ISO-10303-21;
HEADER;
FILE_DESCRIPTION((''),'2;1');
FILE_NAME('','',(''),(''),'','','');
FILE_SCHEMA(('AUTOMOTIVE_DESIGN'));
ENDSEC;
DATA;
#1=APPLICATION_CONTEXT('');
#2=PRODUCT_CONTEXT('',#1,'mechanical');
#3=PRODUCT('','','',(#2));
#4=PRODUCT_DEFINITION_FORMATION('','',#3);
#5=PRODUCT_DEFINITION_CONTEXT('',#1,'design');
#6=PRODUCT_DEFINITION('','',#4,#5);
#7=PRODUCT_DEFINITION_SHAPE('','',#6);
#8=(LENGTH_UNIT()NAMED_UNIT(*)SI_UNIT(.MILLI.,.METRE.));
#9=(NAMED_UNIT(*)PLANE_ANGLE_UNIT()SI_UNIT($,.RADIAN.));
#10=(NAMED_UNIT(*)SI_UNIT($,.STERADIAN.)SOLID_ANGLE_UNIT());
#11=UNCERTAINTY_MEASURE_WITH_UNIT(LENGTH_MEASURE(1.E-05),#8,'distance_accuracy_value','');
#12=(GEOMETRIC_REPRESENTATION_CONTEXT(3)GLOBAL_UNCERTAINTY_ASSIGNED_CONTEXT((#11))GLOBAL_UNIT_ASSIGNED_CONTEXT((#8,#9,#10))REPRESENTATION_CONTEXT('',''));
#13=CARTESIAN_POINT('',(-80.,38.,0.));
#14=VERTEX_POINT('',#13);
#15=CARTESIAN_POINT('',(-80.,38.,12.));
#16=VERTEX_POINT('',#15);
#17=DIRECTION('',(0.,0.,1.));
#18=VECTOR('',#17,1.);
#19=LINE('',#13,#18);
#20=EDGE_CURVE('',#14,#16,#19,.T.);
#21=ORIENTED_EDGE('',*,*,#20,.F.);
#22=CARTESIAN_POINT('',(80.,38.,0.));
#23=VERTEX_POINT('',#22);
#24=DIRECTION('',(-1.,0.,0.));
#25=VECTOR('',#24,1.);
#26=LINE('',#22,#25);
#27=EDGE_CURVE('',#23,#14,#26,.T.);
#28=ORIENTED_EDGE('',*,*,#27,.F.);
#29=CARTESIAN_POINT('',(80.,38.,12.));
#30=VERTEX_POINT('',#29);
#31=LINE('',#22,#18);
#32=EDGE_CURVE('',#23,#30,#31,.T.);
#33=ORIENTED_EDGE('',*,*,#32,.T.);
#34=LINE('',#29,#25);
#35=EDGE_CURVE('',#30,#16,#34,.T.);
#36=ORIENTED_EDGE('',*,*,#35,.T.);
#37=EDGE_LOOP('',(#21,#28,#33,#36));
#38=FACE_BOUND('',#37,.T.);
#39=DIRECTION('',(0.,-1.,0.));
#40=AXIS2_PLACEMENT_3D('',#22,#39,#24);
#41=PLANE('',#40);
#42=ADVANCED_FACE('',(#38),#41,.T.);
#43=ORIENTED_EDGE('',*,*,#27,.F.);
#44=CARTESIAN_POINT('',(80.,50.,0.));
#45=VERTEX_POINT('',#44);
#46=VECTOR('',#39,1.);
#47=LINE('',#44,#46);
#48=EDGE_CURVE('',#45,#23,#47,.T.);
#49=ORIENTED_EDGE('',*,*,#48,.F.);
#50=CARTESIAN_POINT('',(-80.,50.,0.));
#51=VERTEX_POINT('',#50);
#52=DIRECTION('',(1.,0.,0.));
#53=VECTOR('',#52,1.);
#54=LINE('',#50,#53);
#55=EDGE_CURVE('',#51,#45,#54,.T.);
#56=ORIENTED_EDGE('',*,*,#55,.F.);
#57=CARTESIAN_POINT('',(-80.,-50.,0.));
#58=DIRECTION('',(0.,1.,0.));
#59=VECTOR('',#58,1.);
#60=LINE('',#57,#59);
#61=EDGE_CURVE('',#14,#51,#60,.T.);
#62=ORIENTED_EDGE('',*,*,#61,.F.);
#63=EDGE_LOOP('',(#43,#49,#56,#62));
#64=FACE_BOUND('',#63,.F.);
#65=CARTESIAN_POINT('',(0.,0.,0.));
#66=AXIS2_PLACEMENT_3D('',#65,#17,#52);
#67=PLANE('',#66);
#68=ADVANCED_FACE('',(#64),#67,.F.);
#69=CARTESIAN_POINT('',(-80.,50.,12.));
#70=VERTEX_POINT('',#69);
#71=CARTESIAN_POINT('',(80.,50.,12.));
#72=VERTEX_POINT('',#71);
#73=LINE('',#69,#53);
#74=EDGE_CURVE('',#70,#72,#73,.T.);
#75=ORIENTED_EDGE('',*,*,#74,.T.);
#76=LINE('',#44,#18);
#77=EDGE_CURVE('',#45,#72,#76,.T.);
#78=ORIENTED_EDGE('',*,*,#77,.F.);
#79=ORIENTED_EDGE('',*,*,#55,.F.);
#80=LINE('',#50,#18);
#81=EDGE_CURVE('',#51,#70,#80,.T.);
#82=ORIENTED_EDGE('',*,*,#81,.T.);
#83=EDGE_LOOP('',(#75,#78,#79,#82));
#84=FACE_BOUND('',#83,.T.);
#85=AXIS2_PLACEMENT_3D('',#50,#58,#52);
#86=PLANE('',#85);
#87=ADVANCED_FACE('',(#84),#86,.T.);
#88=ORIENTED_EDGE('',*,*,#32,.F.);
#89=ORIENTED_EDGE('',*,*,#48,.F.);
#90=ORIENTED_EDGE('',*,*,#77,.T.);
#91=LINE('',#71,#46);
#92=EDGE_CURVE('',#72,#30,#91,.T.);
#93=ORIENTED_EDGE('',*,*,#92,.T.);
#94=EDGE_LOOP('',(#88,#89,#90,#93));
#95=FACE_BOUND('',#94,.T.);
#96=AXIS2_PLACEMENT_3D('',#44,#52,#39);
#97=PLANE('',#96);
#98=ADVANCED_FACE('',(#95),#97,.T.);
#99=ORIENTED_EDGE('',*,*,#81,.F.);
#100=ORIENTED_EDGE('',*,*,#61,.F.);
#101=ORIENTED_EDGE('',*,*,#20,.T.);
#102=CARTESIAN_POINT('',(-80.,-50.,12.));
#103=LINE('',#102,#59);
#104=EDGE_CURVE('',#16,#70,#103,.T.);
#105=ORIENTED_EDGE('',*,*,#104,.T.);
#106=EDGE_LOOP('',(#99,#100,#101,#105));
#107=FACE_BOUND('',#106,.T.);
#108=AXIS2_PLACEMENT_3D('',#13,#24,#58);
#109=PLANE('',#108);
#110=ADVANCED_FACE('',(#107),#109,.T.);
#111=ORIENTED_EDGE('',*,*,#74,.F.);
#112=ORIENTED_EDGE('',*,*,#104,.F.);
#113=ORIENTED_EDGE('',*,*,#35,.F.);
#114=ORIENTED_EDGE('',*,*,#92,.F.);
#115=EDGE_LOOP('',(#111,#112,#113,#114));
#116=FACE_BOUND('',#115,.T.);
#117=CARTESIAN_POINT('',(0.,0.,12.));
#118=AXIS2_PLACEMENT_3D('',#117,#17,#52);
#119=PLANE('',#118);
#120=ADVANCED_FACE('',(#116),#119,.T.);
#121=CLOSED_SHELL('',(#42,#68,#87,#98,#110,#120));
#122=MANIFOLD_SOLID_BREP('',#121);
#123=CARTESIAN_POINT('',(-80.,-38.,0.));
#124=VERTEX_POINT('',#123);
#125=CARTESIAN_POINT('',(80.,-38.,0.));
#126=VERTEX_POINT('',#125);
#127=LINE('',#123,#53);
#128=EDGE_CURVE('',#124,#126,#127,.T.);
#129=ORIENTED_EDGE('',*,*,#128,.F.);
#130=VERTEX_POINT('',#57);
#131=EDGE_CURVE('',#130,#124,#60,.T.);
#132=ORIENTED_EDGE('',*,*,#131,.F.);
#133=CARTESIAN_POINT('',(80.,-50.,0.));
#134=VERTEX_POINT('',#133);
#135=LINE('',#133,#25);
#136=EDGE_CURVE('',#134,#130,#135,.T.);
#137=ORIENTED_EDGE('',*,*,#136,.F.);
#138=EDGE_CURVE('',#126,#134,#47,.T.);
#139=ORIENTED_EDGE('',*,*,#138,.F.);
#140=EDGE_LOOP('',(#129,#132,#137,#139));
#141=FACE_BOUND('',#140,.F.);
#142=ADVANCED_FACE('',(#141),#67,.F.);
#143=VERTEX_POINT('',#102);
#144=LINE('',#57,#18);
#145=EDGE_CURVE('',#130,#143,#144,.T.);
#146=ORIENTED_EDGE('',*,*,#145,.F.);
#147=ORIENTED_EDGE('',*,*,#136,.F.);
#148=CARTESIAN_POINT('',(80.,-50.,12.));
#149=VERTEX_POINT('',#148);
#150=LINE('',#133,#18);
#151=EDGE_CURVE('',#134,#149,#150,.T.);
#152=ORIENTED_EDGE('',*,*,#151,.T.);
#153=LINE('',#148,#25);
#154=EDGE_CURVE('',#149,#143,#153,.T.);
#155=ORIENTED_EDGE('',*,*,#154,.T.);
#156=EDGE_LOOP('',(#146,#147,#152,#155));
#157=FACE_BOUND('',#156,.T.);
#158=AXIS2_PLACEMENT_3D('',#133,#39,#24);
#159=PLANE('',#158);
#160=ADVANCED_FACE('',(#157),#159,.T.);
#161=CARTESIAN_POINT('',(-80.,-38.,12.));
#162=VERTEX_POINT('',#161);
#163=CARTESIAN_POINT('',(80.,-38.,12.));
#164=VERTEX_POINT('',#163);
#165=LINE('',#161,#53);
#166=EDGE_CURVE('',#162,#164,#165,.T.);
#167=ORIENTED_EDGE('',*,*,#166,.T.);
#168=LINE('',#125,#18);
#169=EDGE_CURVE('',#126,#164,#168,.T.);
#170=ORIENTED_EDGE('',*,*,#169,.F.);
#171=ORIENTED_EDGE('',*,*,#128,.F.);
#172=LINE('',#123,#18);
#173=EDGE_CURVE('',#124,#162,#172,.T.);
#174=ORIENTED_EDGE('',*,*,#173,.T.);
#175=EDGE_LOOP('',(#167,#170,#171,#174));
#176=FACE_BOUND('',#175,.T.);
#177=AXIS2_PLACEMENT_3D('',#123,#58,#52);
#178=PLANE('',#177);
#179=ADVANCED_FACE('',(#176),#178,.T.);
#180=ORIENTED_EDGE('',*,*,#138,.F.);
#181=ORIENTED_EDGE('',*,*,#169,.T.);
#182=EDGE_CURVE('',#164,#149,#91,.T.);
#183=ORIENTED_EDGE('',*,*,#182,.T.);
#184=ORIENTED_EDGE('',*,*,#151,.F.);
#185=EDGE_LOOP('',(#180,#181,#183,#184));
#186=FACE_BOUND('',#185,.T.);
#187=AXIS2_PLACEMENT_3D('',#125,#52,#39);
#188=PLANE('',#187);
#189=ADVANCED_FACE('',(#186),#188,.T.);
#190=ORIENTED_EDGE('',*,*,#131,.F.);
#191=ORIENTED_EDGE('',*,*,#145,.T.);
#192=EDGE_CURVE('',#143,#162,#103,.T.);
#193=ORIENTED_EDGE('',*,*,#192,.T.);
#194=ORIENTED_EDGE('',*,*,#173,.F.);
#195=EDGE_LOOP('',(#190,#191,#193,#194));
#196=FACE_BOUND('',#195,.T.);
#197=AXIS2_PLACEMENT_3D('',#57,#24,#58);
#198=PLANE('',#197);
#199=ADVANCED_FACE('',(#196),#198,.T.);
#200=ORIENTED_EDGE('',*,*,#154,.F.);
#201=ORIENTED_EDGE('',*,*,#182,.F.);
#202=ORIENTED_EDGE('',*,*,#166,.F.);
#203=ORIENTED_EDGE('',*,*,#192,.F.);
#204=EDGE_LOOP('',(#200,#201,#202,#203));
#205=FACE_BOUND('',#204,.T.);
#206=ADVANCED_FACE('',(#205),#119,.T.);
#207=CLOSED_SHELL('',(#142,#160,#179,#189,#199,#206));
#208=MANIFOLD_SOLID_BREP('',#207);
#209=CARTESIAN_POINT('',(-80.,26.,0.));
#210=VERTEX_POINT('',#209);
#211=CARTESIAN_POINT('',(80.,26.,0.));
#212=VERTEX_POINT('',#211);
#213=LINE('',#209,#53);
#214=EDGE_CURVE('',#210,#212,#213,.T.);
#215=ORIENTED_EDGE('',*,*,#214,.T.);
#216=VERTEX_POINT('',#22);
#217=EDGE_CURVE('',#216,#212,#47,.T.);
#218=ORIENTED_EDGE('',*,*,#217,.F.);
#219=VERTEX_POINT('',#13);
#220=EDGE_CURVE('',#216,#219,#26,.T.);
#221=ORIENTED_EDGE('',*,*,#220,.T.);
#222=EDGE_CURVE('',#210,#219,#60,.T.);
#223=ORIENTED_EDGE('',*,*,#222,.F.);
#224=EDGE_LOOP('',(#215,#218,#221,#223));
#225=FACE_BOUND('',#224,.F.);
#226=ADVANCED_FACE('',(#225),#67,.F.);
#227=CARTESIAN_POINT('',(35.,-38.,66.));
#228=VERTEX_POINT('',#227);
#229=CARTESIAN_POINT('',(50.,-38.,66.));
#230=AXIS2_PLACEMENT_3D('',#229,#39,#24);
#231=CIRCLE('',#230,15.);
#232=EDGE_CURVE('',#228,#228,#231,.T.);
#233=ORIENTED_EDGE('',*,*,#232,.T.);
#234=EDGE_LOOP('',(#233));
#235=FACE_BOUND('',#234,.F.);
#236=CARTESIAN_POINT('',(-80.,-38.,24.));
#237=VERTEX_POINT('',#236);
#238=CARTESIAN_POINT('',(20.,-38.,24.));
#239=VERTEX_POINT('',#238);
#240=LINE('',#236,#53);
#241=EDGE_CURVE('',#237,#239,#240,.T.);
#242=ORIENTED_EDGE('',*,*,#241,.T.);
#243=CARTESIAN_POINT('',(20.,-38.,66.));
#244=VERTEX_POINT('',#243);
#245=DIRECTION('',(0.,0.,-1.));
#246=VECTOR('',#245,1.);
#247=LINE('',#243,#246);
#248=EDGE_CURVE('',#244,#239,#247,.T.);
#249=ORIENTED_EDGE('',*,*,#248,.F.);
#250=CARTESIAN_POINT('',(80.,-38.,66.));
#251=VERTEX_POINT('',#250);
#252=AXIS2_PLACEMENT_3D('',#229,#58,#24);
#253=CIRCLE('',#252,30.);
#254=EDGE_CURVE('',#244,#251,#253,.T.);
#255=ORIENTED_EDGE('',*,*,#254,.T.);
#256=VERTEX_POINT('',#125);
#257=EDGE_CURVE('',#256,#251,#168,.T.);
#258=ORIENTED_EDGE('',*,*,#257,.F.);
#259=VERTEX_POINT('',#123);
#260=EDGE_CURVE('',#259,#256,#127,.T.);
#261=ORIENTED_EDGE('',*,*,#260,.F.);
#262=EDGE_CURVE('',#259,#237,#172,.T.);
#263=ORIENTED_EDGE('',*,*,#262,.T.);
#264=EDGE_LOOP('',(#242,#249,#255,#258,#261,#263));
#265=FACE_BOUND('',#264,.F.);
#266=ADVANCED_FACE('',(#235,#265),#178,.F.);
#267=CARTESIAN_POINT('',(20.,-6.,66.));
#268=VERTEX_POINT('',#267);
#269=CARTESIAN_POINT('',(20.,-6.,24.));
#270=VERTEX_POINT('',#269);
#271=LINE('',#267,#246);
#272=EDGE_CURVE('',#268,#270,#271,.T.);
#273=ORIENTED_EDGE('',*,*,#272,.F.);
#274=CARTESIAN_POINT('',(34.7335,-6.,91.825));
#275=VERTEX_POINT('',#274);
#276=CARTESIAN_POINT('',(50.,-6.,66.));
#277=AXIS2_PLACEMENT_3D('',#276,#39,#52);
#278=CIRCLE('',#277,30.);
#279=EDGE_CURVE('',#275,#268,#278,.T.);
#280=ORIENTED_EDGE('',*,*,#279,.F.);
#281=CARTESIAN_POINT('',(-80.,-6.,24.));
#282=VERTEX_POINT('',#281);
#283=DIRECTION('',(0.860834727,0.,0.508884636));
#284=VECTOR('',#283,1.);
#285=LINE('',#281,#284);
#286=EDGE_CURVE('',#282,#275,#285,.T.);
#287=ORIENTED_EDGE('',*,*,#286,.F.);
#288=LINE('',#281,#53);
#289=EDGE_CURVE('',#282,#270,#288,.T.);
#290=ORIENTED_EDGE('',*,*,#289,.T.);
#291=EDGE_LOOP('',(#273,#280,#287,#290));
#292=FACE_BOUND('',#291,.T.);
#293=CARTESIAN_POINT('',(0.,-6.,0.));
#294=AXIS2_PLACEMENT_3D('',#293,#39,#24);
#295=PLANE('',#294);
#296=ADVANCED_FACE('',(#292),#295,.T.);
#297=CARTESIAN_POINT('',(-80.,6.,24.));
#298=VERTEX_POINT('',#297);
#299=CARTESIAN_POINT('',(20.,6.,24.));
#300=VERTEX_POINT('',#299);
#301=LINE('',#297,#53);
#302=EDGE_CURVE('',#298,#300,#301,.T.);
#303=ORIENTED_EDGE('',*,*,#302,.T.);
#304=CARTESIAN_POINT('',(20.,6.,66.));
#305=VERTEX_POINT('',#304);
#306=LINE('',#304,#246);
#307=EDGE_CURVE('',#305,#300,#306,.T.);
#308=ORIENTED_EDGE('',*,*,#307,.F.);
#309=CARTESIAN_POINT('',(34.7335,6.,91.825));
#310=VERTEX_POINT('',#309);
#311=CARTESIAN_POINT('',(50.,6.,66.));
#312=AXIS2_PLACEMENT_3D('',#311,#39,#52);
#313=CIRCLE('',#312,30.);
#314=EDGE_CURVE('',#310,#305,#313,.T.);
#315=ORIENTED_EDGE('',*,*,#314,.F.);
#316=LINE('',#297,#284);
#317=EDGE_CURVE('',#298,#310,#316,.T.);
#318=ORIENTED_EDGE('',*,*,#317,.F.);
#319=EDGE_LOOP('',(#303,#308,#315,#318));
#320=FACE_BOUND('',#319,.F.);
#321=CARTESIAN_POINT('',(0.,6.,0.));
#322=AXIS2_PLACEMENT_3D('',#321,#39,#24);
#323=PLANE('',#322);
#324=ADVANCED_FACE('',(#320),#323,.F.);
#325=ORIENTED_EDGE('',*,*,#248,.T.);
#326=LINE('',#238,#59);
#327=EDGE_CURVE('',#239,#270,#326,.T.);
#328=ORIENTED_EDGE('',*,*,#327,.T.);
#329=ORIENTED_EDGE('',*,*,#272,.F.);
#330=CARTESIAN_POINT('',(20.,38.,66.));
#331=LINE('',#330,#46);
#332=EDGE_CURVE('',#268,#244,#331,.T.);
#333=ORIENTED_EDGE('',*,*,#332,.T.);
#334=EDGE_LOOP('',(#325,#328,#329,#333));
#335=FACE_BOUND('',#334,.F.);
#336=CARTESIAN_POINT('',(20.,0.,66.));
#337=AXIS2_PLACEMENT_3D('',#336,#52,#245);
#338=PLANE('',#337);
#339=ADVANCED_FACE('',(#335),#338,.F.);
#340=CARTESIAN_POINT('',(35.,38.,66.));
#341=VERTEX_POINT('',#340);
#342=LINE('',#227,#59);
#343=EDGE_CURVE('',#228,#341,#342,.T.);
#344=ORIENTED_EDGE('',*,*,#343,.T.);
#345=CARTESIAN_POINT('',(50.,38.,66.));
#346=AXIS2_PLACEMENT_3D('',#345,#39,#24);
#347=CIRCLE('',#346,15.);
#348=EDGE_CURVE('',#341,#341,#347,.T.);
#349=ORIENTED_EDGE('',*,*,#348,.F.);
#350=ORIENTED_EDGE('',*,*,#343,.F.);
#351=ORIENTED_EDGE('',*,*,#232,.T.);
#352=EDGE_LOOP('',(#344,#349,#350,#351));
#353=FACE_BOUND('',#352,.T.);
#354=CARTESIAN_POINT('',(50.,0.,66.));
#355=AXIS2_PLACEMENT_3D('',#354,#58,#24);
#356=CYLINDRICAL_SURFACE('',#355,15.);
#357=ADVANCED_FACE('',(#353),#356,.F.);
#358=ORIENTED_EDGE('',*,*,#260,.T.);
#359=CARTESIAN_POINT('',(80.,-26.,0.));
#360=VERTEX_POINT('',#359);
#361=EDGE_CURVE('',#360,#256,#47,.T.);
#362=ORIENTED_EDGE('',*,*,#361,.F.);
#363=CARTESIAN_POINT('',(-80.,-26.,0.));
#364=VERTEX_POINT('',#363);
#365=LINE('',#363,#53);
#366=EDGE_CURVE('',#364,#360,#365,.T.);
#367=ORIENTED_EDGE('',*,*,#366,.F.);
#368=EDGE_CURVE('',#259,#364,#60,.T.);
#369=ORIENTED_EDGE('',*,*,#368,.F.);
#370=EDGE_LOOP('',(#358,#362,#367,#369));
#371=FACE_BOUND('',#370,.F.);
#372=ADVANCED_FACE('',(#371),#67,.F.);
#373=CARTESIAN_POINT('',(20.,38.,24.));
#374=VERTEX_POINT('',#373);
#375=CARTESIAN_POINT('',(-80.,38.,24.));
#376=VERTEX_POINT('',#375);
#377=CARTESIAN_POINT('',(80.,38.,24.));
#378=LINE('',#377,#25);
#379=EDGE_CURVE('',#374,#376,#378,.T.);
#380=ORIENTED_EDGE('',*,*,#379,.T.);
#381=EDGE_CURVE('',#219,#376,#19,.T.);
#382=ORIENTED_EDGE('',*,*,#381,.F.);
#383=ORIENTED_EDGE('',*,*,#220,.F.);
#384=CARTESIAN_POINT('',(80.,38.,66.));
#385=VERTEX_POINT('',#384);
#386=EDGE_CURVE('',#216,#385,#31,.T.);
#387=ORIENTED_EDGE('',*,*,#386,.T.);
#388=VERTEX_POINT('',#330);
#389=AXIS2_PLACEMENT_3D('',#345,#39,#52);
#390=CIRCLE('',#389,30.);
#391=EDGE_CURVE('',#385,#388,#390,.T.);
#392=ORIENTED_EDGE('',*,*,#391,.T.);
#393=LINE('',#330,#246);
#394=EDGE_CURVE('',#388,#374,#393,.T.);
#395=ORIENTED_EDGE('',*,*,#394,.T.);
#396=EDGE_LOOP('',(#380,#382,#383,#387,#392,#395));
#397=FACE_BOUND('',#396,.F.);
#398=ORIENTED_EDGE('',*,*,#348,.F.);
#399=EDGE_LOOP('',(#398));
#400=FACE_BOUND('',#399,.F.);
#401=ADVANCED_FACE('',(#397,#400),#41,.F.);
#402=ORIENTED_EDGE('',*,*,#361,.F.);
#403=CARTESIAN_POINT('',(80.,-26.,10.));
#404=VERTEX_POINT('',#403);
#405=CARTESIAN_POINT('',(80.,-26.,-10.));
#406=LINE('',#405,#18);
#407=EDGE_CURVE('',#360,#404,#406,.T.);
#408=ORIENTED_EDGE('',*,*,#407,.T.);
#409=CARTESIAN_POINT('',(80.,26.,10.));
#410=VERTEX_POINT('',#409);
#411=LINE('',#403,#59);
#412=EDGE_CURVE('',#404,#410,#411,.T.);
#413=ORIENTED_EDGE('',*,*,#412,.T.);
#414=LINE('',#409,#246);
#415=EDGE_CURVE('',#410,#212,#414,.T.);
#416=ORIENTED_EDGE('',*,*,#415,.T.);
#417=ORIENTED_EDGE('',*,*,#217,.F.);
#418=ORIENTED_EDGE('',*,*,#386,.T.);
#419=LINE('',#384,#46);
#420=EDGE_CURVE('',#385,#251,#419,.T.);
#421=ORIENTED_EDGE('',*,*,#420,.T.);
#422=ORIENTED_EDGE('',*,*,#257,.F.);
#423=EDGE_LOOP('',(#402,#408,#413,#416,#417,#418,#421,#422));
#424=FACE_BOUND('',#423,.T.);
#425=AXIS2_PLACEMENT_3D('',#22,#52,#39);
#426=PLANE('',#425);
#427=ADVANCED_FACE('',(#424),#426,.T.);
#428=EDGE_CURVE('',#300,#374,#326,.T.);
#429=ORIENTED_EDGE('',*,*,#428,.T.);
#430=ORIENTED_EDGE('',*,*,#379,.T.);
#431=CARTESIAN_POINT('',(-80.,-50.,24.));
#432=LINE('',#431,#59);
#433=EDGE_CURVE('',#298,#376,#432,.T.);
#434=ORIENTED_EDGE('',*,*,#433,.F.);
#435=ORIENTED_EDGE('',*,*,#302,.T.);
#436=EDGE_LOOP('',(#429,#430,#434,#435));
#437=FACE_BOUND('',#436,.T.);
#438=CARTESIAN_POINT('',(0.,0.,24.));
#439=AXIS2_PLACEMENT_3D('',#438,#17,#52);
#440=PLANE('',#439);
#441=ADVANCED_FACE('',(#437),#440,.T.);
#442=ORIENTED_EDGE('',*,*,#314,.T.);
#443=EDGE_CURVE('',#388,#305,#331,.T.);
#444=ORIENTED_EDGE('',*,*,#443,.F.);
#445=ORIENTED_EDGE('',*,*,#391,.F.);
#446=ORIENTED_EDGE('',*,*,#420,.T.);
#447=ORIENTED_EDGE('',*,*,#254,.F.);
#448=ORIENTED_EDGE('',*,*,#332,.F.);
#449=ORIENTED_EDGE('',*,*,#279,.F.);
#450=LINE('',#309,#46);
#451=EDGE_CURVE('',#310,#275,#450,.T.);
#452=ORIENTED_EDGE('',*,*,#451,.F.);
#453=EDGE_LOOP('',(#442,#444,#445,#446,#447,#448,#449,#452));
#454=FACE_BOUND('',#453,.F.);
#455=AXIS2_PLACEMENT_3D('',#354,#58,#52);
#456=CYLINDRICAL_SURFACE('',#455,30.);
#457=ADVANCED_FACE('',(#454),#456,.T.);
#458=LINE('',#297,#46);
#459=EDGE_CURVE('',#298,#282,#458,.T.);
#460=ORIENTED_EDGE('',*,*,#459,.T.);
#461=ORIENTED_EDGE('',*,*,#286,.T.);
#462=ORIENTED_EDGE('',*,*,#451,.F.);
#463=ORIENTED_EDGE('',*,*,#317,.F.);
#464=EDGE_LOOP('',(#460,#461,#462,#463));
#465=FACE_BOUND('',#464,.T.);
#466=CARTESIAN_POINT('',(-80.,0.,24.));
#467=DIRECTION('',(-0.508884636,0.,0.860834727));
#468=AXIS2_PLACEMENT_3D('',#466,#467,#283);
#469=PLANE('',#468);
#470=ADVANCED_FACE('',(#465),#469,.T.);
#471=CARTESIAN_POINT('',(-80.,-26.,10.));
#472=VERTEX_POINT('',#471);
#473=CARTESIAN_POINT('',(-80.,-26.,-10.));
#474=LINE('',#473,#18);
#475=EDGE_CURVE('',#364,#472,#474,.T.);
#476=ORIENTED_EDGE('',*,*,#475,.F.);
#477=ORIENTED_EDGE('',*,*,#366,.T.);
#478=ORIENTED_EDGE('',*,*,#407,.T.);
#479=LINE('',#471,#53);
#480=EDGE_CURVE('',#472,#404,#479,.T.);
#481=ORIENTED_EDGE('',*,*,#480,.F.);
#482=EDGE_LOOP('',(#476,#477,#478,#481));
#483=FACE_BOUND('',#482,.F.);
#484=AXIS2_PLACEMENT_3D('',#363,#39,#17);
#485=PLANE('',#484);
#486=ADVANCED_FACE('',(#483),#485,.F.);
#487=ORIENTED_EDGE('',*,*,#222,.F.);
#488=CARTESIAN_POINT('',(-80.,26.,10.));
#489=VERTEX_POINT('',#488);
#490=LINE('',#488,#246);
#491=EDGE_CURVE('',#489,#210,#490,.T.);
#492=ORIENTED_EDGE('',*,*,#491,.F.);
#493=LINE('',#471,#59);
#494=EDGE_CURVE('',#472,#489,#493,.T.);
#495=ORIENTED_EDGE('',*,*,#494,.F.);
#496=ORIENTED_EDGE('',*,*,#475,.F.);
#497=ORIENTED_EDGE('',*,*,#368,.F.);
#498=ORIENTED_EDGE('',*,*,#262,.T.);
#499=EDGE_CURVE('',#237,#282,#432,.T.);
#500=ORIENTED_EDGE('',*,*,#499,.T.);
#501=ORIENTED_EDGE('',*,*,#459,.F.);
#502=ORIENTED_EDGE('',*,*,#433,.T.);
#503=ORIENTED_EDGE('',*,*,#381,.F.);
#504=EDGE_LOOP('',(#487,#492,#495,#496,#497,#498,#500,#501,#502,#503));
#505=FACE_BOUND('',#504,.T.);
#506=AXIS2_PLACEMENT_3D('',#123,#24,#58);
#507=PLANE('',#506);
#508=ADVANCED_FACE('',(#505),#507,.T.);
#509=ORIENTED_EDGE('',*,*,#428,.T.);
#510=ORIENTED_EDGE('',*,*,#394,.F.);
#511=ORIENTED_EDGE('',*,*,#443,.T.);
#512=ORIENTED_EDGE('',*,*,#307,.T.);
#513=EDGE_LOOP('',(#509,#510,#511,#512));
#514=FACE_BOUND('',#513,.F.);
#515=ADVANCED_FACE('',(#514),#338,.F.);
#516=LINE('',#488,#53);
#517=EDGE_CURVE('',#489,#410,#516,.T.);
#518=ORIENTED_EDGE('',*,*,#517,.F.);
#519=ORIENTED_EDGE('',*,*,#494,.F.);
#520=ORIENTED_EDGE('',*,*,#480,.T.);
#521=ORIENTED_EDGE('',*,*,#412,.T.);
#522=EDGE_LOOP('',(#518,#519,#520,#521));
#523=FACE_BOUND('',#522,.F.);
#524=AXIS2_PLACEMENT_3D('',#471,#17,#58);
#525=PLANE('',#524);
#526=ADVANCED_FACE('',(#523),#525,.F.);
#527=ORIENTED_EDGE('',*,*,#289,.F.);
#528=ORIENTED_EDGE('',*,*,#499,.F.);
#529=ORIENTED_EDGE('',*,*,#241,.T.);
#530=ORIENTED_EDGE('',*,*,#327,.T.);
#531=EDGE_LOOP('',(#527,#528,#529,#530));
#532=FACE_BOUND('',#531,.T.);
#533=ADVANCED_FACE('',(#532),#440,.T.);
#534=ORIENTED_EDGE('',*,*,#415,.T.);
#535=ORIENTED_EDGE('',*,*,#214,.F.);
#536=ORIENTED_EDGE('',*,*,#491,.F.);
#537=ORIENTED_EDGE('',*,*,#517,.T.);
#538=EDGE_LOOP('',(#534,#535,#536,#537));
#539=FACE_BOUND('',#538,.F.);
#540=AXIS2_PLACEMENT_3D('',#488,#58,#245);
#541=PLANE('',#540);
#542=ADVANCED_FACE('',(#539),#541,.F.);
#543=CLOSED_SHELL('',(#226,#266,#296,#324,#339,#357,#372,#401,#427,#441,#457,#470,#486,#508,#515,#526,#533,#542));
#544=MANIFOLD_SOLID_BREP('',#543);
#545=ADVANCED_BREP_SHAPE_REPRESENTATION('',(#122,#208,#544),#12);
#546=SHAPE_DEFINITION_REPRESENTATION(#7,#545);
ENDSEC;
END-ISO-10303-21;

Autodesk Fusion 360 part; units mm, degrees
sketch "Sketch1" plane through (0, 0, 0) normal (0, 0, 1) x (1, 0, 0)
  line L0 (80, -50) -> (-80, -50)
  line L1 (-80, -50) -> (-80, 50)
  line L2 (-80, 50) -> (80, 50)
  line L3 (80, 50) -> (80, -50)
  line L4 (80, -50) -> (-80, 50) construction
  line L5 (-80, -50) -> (80, 50) construction
  line L6 (80, 38) -> (-80, 38)
  line L7 (-80, 38) -> (-80, -38)
  line L8 (-80, -38) -> (80, -38)
  line L9 (80, -38) -> (80, 38)
  line L10 (80, 38) -> (-80, -38) construction
  line L11 (-80, 38) -> (80, -38) construction
  dimension "d1" = 160
  dimension "d2" = 100
  dimension "d3" = 160
  dimension "d4" = 76
extrude "Extrude1" add sketch "Sketch1" along normal blind 12 contours L0 L1 L3 L8 | L1 L2 L3 L6 makes body 1 at (26.6667, 38, 4) makes body 2 at (26.6667, -50, 4)
extrude "Extrude2" add sketch "Sketch1" along normal blind 24 separate body contours L1 L3 L6 L7 L8 L9 makes body 3
sketch "Sketch2" plane through (-80, 0, 0) normal (-1, 0, 0) x (0, -1, 0)
  line L0 (-38, 0) -> (38, 0)
  line L1 (38, 0) -> (38, 24)
  line L2 (38, 24) -> (-38, 24)
  line L3 (-38, 24) -> (-38, 0)
  line L4 (26, 10) -> (-26, 10)
  line L5 (-26, 10) -> (-26, -10)
  line L6 (-26, -10) -> (26, -10)
  line L7 (26, -10) -> (26, 10)
  line L8 (26, 10) -> (-26, -10) construction
  line L9 (-26, 10) -> (26, -10) construction
  dimension "d9" = 52
  dimension "d10" = 20
extrude "Extrude3" cut sketch "Sketch2" against normal up to surface (160 mm away) contours L0 L4 L5 L7 bodies 3
ref_plane "WorkPlane1" through (0, 0, 6) normal (0, -1, 0) x (1, 0, 0)
sketch "Sketch3" plane through (0, 0, 0) normal (0, -1, 0) x (-1, 0, 0)
  line L0 (-80, -24) -> (-50, -24) construction
  line L1 (-50, -24) -> (-50, -66) construction
  circle A0 centre (-50, -66) radius 15
  line L2 (-80, -66) -> (-80, -24)
  line L3 (-20, -66) -> (-20, -24)
  line L4 (80, -24) -> (-34.7335, -91.825)
  line L5 (80, -24) -> (-80, -24)
  arc A1 (-80, -66) -> (-20, -66) centre (-50, -66) ccw
  point P0 (80, -24)
  point P1 (-80, -24)
  dimension "d13" = 30
  dimension "d14" = 42
  dimension "d15" = 60
  dimension "d16" = 30
extrude "Extrude4" add sketch "Sketch3" along normal mid plane 76 contours L2 L3 L5 A1 bodies 3
extrude "Extrude5" add sketch "Sketch3" along normal mid plane 12 contours L3 L4 L5 A1 bodies 3
